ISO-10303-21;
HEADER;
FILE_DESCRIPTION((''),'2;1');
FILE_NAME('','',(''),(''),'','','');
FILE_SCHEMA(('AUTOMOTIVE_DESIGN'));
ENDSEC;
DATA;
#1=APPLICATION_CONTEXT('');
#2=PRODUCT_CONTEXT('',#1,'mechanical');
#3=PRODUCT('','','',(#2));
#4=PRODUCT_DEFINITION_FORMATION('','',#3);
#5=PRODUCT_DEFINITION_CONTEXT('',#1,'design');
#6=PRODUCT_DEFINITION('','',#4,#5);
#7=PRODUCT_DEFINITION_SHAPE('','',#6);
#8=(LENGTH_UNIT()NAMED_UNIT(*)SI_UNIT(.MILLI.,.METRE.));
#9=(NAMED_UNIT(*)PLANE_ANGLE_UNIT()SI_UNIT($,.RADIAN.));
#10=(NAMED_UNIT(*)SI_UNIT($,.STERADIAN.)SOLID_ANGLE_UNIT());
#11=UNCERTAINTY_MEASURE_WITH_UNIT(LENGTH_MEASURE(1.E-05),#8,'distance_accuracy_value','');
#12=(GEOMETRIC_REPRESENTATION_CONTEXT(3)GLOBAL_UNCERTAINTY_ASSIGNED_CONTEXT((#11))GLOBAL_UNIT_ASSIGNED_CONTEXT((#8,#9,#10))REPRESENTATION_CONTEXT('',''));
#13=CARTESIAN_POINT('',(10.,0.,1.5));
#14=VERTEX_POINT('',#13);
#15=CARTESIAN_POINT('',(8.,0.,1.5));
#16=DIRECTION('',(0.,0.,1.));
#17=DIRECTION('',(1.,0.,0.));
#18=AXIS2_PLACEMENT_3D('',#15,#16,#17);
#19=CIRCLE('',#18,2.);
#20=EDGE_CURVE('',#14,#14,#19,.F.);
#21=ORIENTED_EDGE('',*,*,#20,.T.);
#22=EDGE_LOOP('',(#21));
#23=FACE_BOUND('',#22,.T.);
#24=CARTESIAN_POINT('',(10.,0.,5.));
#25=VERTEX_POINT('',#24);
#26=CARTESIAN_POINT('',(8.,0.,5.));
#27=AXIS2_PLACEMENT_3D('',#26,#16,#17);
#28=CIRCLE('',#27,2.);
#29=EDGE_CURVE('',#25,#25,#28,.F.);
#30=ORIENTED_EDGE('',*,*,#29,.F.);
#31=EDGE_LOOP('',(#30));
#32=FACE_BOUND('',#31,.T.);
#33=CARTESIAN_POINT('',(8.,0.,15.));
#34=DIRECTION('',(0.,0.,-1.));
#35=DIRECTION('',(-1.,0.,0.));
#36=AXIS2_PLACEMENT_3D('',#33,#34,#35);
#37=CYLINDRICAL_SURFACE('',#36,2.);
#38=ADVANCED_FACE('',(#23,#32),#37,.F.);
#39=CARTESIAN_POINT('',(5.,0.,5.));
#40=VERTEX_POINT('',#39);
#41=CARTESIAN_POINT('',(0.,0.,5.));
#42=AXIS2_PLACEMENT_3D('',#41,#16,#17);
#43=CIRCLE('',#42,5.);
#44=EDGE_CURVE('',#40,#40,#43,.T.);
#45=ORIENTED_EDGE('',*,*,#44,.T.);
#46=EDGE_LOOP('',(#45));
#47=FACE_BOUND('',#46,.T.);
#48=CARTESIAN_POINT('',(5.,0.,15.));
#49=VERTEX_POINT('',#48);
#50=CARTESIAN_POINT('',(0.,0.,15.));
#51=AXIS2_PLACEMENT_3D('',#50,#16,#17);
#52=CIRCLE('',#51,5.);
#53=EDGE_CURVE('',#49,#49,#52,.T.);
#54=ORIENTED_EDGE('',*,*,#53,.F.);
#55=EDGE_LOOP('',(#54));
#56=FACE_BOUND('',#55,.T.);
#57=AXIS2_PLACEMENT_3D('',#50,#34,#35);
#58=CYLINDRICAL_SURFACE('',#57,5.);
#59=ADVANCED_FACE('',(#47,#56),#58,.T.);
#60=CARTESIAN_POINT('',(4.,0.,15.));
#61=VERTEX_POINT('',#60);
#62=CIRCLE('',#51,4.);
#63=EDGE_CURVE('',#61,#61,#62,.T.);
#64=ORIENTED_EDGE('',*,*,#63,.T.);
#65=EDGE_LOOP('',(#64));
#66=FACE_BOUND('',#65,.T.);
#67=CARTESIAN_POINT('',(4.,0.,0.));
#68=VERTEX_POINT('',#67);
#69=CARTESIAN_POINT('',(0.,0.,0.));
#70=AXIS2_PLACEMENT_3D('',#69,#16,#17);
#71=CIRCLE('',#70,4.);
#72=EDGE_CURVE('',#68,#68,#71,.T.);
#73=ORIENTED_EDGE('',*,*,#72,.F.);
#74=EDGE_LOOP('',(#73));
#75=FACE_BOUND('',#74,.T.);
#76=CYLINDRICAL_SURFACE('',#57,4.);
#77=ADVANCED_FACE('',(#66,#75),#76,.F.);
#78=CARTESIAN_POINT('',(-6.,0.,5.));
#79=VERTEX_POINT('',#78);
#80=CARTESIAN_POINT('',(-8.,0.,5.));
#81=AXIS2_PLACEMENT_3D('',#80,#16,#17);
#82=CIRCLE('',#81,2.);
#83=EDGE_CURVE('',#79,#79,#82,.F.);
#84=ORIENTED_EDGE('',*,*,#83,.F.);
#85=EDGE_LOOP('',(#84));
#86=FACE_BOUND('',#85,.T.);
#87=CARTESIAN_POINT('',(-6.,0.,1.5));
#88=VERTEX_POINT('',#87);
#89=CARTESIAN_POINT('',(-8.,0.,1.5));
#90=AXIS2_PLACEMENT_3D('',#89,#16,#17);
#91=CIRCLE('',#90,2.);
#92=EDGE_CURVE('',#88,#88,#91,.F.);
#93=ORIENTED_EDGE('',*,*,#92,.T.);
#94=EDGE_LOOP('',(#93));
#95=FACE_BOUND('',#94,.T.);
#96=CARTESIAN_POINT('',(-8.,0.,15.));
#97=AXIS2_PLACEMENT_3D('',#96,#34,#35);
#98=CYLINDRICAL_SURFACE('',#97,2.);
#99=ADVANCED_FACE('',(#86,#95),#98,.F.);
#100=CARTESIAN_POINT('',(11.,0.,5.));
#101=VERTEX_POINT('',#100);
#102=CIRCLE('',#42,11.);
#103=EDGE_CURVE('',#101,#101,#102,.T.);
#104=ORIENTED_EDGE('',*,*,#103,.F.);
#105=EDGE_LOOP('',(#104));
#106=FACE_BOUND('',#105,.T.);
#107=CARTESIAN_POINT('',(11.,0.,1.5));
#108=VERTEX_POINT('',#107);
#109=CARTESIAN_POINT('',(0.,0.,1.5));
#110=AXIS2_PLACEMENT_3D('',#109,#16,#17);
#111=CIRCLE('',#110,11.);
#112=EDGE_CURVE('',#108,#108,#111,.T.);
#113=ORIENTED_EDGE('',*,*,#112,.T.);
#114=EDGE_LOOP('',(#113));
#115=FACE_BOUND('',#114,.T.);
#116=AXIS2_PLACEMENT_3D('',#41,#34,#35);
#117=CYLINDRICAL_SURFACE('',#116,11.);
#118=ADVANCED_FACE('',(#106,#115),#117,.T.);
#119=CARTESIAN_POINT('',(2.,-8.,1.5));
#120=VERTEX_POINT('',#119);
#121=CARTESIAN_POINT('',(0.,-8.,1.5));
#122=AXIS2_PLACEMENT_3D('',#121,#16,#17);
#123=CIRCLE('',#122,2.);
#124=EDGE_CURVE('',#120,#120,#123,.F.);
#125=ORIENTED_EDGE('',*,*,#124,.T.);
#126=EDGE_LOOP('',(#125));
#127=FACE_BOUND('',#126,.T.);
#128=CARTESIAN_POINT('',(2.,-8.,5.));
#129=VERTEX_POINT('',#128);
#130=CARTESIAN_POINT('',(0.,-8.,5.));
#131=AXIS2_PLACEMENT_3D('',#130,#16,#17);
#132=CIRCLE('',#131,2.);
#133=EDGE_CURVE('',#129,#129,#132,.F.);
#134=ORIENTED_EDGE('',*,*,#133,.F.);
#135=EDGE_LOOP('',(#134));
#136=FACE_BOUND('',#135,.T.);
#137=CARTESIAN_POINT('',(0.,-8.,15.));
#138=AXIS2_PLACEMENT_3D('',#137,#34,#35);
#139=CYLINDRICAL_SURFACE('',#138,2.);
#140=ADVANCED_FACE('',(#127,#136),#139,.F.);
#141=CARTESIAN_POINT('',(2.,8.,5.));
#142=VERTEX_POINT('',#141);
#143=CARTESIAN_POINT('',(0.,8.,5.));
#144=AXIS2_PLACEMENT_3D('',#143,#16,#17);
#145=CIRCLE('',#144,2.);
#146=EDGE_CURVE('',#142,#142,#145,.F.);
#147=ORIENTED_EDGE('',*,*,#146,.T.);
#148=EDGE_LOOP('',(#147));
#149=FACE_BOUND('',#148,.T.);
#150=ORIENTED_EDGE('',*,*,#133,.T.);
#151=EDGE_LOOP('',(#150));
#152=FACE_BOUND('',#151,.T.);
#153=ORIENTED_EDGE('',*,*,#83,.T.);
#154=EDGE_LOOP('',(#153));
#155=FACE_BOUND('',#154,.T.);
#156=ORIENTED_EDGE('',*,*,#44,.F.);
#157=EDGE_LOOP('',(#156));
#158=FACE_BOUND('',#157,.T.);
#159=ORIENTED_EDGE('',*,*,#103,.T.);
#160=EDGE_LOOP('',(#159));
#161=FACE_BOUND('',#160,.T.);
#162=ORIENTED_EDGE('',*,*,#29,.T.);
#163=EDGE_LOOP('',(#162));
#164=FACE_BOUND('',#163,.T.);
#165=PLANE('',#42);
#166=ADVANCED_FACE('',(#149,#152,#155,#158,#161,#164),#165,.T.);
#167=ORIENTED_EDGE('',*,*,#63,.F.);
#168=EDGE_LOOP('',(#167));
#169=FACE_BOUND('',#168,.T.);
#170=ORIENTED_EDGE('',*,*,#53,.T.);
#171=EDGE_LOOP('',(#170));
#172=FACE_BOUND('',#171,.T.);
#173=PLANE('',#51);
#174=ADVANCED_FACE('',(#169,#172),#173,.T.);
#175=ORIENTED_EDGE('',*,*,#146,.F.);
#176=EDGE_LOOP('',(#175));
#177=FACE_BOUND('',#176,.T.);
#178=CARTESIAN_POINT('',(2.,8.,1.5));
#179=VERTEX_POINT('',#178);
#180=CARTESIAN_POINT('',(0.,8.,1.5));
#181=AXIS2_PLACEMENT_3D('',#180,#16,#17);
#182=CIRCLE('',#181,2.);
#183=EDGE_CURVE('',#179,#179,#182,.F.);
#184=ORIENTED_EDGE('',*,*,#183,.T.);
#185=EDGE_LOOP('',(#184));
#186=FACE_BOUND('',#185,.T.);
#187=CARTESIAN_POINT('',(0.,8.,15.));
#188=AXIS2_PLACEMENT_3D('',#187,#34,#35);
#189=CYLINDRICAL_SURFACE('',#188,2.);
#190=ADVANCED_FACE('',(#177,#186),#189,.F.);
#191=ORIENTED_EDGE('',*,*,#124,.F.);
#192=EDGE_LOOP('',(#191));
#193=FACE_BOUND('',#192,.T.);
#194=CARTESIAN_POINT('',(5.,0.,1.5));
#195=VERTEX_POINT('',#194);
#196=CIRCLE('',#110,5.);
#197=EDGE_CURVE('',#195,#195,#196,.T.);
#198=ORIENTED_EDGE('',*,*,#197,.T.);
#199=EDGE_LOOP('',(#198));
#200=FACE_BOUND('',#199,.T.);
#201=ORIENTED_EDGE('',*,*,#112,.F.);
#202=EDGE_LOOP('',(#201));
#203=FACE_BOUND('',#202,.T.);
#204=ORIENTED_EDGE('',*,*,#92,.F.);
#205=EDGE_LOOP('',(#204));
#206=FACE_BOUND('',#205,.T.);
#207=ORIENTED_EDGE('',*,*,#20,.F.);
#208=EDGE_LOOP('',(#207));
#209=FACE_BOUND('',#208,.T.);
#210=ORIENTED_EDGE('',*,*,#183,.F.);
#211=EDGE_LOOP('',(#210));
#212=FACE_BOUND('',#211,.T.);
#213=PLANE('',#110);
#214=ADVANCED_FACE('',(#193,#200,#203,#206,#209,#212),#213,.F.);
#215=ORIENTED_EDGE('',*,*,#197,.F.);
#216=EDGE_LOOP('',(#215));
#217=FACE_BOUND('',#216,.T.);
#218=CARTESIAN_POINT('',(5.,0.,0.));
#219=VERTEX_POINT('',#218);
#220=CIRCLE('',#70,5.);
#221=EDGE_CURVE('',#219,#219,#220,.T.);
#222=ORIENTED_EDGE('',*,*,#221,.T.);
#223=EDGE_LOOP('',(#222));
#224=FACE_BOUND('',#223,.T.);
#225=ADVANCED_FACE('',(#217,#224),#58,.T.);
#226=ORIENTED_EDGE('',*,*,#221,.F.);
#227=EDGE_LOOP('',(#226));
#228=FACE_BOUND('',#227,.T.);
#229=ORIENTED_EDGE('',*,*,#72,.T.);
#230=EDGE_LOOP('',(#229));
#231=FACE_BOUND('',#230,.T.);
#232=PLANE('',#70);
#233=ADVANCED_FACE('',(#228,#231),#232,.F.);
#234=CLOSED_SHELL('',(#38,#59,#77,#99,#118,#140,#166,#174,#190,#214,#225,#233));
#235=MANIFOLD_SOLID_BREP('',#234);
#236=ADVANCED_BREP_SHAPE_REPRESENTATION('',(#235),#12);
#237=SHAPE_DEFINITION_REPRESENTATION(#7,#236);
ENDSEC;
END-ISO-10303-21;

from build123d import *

# Parameters (mm, degrees)
ESQUISSE1_R                  = 5
ESQUISSE1_R_2                = 4
BOSS_EXTRU_1_DEPTH           = 15
BOSS_EXTRU_2_START           = 1.5
ESQUISSE2_R                  = 11
ESQUISSE2_R_2                = 5
BOSS_EXTRU_2_DEPTH           = 3.5
ESQUISSE3_R                  = 2
ENL_V_MAT_EXTRU_1_DEPTH      = 22.610182785
R_P_TITION_CIRCULAIRE1_COUNT = 4


with BuildPart() as part:
    # Esquisse1 → Boss.-Extru.1 (new body)
    with BuildSketch(Plane.XY):
        Circle(ESQUISSE1_R)
        Circle(ESQUISSE1_R_2, mode=Mode.SUBTRACT)
    extrude(amount=BOSS_EXTRU_1_DEPTH)

    # Esquisse2 → Boss.-Extru.2 (add)
    with BuildSketch(Plane.XY.offset(BOSS_EXTRU_2_START)):
        Circle(ESQUISSE2_R)
        Circle(ESQUISSE2_R_2, mode=Mode.SUBTRACT)
    extrude(amount=BOSS_EXTRU_2_DEPTH)

    # Esquisse3 → Enlèv. mat.-Extru.1 (cut, through all)
    with BuildSketch(Plane.XY):
        with Locations((0, 8)):
            Circle(ESQUISSE3_R)
    enl_v_mat_extru_1 = extrude(amount=ENL_V_MAT_EXTRU_1_DEPTH, mode=Mode.SUBTRACT)

    # Répétition circulaire1: Enlèv. mat.-Extru.1 ×4 about axis
    r_p_tition_circulaire1_axis = Axis((0, 0, 0), (0, 0, 1))
    for i in range(1, R_P_TITION_CIRCULAIRE1_COUNT):
        add(enl_v_mat_extru_1.rotate(r_p_tition_circulaire1_axis, i * 360 / R_P_TITION_CIRCULAIRE1_COUNT), mode=Mode.SUBTRACT)


solid = part.part
